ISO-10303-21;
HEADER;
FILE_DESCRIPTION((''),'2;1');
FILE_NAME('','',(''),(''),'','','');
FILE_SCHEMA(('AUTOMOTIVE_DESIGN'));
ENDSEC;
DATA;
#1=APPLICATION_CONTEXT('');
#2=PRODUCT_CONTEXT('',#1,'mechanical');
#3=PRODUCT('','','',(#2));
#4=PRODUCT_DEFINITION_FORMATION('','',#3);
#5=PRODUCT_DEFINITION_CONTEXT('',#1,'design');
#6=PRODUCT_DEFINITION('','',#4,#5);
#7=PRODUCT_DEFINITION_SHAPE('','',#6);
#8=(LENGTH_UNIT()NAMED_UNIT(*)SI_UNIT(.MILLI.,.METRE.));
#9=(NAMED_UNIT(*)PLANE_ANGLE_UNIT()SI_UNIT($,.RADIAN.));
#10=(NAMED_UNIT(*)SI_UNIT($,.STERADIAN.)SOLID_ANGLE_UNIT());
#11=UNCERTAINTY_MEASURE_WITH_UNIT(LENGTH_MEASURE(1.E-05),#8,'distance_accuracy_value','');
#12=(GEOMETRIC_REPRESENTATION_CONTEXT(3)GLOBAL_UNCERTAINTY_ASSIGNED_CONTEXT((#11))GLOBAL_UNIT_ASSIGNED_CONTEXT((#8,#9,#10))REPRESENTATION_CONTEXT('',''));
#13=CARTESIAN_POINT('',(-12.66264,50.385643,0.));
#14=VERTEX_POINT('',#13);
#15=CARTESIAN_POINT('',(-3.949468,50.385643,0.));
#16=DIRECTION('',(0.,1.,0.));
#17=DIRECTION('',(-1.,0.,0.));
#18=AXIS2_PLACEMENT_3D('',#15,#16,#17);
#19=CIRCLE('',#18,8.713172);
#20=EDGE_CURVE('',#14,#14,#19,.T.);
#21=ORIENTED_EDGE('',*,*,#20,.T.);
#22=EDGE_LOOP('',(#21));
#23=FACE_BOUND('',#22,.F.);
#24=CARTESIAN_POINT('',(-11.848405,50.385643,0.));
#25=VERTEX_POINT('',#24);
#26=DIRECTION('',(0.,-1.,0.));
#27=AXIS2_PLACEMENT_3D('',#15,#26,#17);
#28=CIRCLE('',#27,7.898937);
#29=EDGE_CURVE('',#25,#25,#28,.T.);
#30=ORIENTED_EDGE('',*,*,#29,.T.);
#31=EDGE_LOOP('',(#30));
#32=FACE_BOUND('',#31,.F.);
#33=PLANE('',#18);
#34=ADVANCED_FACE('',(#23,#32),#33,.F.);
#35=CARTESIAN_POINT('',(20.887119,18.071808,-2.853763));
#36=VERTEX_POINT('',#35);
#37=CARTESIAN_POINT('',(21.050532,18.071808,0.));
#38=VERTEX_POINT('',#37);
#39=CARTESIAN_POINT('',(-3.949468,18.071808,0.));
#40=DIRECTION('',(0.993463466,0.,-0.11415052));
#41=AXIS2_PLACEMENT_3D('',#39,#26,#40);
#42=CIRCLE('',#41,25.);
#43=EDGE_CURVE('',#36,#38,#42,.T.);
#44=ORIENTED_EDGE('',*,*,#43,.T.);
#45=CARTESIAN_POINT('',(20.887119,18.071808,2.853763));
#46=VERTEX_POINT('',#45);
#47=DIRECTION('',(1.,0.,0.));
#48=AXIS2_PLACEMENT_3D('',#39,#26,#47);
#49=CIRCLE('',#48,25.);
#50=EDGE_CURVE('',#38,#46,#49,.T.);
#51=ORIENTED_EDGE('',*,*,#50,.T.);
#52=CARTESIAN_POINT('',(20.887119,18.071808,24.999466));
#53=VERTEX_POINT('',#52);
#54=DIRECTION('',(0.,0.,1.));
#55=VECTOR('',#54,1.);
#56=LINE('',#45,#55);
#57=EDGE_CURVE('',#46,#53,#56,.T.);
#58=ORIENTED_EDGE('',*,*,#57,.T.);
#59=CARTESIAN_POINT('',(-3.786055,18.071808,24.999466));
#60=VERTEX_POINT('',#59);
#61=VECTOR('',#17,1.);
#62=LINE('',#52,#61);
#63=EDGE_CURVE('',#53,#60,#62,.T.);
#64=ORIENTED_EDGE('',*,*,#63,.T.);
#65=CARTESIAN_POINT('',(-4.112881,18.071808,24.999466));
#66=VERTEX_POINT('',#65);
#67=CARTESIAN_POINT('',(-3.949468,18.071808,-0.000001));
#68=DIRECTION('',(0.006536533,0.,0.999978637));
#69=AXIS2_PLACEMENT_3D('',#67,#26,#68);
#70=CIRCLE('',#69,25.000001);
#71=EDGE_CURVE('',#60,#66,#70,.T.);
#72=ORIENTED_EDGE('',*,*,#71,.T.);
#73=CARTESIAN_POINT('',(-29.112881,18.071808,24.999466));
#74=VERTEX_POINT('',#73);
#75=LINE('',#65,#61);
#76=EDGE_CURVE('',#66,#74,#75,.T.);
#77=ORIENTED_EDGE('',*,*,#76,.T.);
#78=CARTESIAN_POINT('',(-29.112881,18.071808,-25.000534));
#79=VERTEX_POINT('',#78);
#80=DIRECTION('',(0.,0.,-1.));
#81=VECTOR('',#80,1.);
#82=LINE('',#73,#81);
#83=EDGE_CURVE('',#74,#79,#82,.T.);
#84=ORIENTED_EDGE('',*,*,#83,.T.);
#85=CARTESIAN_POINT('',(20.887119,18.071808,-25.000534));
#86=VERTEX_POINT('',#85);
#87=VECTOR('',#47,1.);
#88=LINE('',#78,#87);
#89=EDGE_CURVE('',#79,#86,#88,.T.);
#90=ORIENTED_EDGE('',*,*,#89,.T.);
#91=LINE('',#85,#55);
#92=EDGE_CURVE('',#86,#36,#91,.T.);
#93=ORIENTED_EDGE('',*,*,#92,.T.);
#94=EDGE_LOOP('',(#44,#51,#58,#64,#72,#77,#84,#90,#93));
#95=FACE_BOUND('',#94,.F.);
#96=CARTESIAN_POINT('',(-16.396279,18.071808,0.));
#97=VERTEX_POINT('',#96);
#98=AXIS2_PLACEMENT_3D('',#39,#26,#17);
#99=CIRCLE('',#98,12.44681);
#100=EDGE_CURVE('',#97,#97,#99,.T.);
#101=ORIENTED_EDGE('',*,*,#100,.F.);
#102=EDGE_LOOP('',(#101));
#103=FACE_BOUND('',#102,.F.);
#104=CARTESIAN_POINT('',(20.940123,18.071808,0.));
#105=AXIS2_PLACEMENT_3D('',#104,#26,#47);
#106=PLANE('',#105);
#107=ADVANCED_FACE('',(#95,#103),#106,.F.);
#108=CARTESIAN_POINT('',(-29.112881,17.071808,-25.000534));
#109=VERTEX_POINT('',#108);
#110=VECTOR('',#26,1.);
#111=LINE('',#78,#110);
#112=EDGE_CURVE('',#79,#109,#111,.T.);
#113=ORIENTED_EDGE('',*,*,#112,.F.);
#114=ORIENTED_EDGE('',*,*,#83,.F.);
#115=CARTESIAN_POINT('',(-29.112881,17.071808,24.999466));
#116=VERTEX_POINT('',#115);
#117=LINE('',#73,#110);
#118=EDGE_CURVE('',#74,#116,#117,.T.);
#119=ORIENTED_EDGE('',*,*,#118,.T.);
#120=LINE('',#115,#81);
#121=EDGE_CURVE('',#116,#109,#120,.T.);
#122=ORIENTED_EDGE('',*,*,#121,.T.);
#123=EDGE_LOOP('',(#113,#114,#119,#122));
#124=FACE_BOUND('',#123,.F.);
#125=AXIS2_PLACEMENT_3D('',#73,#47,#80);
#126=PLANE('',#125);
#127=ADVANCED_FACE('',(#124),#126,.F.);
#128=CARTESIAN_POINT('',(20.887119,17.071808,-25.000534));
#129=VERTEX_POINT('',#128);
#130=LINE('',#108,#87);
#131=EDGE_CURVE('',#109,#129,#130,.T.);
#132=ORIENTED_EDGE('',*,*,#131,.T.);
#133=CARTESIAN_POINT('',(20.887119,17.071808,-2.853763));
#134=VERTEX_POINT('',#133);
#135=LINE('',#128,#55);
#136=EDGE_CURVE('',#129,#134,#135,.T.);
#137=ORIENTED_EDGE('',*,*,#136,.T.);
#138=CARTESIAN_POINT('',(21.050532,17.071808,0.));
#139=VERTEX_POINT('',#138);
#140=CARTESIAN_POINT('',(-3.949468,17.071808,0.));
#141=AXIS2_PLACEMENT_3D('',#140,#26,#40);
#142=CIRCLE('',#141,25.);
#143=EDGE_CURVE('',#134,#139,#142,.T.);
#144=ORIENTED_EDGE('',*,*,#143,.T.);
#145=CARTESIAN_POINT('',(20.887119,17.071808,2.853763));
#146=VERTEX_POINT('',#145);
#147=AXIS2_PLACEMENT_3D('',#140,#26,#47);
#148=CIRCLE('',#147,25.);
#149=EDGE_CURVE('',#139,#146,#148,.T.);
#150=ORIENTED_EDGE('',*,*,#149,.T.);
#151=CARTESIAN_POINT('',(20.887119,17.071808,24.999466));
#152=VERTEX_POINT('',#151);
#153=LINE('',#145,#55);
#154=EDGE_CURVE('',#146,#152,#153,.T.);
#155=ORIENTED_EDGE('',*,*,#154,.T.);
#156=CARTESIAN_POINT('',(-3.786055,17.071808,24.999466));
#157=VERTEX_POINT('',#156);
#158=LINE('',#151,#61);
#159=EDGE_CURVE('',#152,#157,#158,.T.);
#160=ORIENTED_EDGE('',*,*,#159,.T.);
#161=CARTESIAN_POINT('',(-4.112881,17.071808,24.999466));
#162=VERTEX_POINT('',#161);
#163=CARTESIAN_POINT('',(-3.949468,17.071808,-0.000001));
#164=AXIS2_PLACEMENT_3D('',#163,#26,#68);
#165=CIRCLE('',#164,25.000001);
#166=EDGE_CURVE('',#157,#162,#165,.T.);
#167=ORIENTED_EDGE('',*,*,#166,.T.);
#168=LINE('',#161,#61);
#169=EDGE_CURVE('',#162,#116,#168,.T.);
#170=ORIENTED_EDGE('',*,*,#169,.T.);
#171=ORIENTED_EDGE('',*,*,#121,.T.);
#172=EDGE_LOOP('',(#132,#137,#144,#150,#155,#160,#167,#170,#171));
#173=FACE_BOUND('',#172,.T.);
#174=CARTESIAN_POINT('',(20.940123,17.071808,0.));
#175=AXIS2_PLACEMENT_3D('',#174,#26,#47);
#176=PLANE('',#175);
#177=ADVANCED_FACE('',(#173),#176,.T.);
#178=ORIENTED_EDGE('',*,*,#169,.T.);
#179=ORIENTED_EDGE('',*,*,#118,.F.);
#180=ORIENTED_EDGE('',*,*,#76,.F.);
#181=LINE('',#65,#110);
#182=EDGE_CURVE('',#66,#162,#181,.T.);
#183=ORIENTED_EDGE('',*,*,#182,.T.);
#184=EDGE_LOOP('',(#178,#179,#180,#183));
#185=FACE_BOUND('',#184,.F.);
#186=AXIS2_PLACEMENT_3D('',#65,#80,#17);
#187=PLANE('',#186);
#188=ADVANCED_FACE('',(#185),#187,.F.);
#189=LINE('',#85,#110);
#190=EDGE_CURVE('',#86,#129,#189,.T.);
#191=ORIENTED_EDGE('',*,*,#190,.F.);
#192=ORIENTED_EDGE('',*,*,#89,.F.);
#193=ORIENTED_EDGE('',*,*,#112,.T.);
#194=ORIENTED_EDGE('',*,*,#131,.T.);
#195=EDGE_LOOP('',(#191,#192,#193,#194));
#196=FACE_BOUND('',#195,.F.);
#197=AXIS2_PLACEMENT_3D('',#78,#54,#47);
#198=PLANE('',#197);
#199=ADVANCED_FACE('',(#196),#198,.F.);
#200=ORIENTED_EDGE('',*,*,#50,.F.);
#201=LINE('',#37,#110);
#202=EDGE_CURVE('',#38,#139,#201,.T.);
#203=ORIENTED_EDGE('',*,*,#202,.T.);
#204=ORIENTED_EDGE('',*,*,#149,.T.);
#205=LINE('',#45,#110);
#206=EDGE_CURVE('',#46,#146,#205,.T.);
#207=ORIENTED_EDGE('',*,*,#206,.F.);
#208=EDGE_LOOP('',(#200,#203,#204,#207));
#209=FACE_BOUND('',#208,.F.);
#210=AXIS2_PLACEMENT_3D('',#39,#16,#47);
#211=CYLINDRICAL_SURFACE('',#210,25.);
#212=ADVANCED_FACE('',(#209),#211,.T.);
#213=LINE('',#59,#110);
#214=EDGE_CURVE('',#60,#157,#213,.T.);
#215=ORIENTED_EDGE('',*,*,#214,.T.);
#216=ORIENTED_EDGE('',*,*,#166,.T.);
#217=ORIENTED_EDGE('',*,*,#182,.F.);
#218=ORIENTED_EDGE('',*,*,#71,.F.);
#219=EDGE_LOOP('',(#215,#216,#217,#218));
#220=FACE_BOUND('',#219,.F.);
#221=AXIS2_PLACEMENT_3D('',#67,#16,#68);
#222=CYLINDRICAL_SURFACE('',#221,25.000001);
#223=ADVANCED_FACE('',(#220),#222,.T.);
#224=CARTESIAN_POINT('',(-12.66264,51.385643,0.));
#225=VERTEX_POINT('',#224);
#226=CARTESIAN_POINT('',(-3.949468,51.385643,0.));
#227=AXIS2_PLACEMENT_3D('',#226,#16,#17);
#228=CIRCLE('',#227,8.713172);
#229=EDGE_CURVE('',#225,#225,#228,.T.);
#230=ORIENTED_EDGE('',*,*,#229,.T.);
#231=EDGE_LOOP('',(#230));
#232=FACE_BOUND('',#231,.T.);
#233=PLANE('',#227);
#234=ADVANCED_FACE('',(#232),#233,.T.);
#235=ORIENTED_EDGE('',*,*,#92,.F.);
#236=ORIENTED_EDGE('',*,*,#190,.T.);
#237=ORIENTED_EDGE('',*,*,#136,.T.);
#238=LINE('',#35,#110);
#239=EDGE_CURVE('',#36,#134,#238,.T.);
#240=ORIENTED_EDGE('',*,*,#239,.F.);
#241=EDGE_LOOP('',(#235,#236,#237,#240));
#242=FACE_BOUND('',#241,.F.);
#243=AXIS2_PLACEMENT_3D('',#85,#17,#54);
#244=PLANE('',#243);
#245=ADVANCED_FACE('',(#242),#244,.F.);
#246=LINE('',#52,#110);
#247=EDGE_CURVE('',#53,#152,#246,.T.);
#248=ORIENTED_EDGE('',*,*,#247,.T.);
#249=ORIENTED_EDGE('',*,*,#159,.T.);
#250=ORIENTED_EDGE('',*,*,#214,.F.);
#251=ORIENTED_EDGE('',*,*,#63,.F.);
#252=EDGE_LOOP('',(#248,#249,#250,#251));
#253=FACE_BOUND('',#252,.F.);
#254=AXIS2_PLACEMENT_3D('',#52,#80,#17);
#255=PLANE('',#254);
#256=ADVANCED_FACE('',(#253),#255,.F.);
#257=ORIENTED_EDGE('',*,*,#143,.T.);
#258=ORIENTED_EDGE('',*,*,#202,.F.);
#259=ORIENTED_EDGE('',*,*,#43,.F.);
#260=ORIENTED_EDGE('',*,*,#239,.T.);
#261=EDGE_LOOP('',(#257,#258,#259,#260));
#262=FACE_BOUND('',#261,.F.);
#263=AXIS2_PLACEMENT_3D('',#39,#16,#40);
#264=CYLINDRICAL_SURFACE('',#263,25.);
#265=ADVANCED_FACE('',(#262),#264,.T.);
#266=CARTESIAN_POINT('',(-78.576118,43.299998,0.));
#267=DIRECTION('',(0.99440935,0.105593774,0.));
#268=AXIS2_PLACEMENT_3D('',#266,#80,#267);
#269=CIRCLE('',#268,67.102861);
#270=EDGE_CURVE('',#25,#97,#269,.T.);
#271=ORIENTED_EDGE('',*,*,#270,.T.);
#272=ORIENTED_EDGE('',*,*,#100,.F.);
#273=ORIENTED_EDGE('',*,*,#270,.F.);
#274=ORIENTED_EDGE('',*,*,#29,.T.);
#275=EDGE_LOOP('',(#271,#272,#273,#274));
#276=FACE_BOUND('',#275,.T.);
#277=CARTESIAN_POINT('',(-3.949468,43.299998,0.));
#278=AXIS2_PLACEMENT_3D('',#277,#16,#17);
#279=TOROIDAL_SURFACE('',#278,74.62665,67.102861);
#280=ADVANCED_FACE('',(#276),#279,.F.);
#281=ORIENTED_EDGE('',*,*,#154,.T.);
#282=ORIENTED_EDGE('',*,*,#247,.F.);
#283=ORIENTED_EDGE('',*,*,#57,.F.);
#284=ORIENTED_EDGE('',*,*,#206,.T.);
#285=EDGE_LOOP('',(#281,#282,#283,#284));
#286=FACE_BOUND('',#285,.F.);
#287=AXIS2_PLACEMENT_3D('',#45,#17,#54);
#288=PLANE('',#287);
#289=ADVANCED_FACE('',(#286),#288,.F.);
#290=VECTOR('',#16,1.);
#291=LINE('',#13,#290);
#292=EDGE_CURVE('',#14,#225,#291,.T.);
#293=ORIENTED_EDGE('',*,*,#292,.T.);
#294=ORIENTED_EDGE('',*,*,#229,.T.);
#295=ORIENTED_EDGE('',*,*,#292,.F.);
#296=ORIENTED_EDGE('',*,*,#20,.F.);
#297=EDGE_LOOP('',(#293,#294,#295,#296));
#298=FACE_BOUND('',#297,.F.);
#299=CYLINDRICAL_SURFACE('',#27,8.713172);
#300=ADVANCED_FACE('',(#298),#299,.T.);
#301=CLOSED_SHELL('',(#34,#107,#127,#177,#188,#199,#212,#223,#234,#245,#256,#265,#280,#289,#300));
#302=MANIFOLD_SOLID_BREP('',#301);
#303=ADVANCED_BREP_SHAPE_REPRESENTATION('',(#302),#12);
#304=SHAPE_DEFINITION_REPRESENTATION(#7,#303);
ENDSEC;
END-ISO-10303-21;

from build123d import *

# Parameters (mm, degrees)
F3_DEPTH = 1
F4_R     = 8.7131724749
F5_DEPTH = 1


with BuildPart() as f1:
    # F0 (on Top) → F1 (revolve)
    with BuildSketch(Plane.XY):
        with BuildLine():
            Line((-3.9494680241, 50.3856427968), (-11.8484050035, 50.3856427968))
            ThreePointArc((-11.8484050035, 50.3856427968), (-12.128128908, 33.9480583368), (-16.3962785155, 18.0718079209))
            Line((-16.3962785155, 18.0718079209), (-3.9494680241, 18.0718079209))
            Line((-3.9494680241, 18.0718079209), (-3.9494680241, 50.3856427968))
        make_face()
    revolve(axis=Axis((-3.9494680241, 34.2287253588, 0), (0, -1, 0)))

    # F2 (on face) → F3 (join)
    with BuildSketch(Plane.XZ.offset(-18.0718079209)):
        with BuildLine():
            ThreePointArc((20.8871186327, -2.8537629964), (21.0096452056, -1.4292189441), (21.0505319759, 0))
            ThreePointArc((21.0505319759, 0), (21.0096452056, 1.4292189441), (20.8871186327, 2.8537629964))
            Line((20.8871186327, 2.8537629964), (20.8871186327, -0.0005340841))
            Line((20.8871186327, -0.0005340841), (20.8871186327, -2.8537629964))
        make_face()
        with BuildLine():
            Line((20.8871186327, -0.0005340841), (20.8871186327, 2.8537629964))
            ThreePointArc((20.8871186327, 2.8537629964), (12.7495750458, 18.6048907696), (-3.7860546809, 24.9994659159))
            Line((-3.7860546809, 24.9994659159), (-4.1128813673, 24.9994659159))
            Line((-4.1128813673, 24.9994659159), (-4.1128813673, -0.0005340841))
            Line((-4.1128813673, -0.0005340841), (20.8871186327, -0.0005340841))
        make_face()
        with BuildLine():
            ThreePointArc((-3.7860546809, 24.9994659159), (12.7495750458, 18.6048907696), (20.8871186327, 2.8537629964))
            Line((20.8871186327, 2.8537629964), (20.8871186327, 24.9994659159))
            Line((20.8871186327, 24.9994659159), (-3.7860546809, 24.9994659159))
        make_face()
        with BuildLine():
            Line((20.8871186327, -25.0005340841), (20.8871186327, -2.8537629964))
            ThreePointArc((20.8871186327, -2.8537629964), (-5.3784203627, -24.9591284947), (-28.9494680184, -0.0005340841))
            Line((-28.9494680184, -0.0005340841), (-29.1128813673, -0.0005340841))
            Line((-29.1128813673, -0.0005340841), (-29.1128813673, -25.0005340841))
            Line((-29.1128813673, -25.0005340841), (20.8871186327, -25.0005340841))
        make_face()
        with BuildLine():
            ThreePointArc((-28.9494680184, -0.0005340841), (-5.3784203627, -24.9591284947), (20.8871186327, -2.8537629964))
            Line((20.8871186327, -2.8537629964), (20.8871186327, -0.0005340841))
            Line((20.8871186327, -0.0005340841), (-4.1128813673, -0.0005340841))
            Line((-4.1128813673, -0.0005340841), (-28.9494680184, -0.0005340841))
        make_face()
        with BuildLine():
            Line((-4.1128813673, 24.9994659159), (-3.7860546809, 24.9994659159))
            ThreePointArc((-3.7860546809, 24.9994659159), (-3.9494680241, 25), (-4.1128813673, 24.9994659159))
        make_face()
        with BuildLine():
            Line((-29.1128813673, -0.0005340841), (-28.9494680184, -0.0005340841))
            ThreePointArc((-28.9494680184, -0.0005340841), (-21.6850069981, 17.6196100213), (-4.1128813673, 24.9994659159))
            Line((-4.1128813673, 24.9994659159), (-29.1128813673, 24.9994659159))
            Line((-29.1128813673, 24.9994659159), (-29.1128813673, -0.0005340841))
        make_face()
        with BuildLine():
            ThreePointArc((-4.1128813673, 24.9994659159), (-21.6850069981, 17.6196100213), (-28.9494680184, -0.0005340841))
            Line((-28.9494680184, -0.0005340841), (-4.1128813673, -0.0005340841))
            Line((-4.1128813673, -0.0005340841), (-4.1128813673, 24.9994659159))
        make_face()
    extrude(amount=F3_DEPTH)

    # F4 (on face) → F5 (join)
    with BuildSketch(Plane(origin=(0, 50.3856427968, 0), x_dir=(-1, 0, 0), z_dir=(0, 1, 0))):
        with Locations((3.9494680241, 0)):
            Circle(F4_R)
    extrude(amount=F5_DEPTH)


solid = f1.part
